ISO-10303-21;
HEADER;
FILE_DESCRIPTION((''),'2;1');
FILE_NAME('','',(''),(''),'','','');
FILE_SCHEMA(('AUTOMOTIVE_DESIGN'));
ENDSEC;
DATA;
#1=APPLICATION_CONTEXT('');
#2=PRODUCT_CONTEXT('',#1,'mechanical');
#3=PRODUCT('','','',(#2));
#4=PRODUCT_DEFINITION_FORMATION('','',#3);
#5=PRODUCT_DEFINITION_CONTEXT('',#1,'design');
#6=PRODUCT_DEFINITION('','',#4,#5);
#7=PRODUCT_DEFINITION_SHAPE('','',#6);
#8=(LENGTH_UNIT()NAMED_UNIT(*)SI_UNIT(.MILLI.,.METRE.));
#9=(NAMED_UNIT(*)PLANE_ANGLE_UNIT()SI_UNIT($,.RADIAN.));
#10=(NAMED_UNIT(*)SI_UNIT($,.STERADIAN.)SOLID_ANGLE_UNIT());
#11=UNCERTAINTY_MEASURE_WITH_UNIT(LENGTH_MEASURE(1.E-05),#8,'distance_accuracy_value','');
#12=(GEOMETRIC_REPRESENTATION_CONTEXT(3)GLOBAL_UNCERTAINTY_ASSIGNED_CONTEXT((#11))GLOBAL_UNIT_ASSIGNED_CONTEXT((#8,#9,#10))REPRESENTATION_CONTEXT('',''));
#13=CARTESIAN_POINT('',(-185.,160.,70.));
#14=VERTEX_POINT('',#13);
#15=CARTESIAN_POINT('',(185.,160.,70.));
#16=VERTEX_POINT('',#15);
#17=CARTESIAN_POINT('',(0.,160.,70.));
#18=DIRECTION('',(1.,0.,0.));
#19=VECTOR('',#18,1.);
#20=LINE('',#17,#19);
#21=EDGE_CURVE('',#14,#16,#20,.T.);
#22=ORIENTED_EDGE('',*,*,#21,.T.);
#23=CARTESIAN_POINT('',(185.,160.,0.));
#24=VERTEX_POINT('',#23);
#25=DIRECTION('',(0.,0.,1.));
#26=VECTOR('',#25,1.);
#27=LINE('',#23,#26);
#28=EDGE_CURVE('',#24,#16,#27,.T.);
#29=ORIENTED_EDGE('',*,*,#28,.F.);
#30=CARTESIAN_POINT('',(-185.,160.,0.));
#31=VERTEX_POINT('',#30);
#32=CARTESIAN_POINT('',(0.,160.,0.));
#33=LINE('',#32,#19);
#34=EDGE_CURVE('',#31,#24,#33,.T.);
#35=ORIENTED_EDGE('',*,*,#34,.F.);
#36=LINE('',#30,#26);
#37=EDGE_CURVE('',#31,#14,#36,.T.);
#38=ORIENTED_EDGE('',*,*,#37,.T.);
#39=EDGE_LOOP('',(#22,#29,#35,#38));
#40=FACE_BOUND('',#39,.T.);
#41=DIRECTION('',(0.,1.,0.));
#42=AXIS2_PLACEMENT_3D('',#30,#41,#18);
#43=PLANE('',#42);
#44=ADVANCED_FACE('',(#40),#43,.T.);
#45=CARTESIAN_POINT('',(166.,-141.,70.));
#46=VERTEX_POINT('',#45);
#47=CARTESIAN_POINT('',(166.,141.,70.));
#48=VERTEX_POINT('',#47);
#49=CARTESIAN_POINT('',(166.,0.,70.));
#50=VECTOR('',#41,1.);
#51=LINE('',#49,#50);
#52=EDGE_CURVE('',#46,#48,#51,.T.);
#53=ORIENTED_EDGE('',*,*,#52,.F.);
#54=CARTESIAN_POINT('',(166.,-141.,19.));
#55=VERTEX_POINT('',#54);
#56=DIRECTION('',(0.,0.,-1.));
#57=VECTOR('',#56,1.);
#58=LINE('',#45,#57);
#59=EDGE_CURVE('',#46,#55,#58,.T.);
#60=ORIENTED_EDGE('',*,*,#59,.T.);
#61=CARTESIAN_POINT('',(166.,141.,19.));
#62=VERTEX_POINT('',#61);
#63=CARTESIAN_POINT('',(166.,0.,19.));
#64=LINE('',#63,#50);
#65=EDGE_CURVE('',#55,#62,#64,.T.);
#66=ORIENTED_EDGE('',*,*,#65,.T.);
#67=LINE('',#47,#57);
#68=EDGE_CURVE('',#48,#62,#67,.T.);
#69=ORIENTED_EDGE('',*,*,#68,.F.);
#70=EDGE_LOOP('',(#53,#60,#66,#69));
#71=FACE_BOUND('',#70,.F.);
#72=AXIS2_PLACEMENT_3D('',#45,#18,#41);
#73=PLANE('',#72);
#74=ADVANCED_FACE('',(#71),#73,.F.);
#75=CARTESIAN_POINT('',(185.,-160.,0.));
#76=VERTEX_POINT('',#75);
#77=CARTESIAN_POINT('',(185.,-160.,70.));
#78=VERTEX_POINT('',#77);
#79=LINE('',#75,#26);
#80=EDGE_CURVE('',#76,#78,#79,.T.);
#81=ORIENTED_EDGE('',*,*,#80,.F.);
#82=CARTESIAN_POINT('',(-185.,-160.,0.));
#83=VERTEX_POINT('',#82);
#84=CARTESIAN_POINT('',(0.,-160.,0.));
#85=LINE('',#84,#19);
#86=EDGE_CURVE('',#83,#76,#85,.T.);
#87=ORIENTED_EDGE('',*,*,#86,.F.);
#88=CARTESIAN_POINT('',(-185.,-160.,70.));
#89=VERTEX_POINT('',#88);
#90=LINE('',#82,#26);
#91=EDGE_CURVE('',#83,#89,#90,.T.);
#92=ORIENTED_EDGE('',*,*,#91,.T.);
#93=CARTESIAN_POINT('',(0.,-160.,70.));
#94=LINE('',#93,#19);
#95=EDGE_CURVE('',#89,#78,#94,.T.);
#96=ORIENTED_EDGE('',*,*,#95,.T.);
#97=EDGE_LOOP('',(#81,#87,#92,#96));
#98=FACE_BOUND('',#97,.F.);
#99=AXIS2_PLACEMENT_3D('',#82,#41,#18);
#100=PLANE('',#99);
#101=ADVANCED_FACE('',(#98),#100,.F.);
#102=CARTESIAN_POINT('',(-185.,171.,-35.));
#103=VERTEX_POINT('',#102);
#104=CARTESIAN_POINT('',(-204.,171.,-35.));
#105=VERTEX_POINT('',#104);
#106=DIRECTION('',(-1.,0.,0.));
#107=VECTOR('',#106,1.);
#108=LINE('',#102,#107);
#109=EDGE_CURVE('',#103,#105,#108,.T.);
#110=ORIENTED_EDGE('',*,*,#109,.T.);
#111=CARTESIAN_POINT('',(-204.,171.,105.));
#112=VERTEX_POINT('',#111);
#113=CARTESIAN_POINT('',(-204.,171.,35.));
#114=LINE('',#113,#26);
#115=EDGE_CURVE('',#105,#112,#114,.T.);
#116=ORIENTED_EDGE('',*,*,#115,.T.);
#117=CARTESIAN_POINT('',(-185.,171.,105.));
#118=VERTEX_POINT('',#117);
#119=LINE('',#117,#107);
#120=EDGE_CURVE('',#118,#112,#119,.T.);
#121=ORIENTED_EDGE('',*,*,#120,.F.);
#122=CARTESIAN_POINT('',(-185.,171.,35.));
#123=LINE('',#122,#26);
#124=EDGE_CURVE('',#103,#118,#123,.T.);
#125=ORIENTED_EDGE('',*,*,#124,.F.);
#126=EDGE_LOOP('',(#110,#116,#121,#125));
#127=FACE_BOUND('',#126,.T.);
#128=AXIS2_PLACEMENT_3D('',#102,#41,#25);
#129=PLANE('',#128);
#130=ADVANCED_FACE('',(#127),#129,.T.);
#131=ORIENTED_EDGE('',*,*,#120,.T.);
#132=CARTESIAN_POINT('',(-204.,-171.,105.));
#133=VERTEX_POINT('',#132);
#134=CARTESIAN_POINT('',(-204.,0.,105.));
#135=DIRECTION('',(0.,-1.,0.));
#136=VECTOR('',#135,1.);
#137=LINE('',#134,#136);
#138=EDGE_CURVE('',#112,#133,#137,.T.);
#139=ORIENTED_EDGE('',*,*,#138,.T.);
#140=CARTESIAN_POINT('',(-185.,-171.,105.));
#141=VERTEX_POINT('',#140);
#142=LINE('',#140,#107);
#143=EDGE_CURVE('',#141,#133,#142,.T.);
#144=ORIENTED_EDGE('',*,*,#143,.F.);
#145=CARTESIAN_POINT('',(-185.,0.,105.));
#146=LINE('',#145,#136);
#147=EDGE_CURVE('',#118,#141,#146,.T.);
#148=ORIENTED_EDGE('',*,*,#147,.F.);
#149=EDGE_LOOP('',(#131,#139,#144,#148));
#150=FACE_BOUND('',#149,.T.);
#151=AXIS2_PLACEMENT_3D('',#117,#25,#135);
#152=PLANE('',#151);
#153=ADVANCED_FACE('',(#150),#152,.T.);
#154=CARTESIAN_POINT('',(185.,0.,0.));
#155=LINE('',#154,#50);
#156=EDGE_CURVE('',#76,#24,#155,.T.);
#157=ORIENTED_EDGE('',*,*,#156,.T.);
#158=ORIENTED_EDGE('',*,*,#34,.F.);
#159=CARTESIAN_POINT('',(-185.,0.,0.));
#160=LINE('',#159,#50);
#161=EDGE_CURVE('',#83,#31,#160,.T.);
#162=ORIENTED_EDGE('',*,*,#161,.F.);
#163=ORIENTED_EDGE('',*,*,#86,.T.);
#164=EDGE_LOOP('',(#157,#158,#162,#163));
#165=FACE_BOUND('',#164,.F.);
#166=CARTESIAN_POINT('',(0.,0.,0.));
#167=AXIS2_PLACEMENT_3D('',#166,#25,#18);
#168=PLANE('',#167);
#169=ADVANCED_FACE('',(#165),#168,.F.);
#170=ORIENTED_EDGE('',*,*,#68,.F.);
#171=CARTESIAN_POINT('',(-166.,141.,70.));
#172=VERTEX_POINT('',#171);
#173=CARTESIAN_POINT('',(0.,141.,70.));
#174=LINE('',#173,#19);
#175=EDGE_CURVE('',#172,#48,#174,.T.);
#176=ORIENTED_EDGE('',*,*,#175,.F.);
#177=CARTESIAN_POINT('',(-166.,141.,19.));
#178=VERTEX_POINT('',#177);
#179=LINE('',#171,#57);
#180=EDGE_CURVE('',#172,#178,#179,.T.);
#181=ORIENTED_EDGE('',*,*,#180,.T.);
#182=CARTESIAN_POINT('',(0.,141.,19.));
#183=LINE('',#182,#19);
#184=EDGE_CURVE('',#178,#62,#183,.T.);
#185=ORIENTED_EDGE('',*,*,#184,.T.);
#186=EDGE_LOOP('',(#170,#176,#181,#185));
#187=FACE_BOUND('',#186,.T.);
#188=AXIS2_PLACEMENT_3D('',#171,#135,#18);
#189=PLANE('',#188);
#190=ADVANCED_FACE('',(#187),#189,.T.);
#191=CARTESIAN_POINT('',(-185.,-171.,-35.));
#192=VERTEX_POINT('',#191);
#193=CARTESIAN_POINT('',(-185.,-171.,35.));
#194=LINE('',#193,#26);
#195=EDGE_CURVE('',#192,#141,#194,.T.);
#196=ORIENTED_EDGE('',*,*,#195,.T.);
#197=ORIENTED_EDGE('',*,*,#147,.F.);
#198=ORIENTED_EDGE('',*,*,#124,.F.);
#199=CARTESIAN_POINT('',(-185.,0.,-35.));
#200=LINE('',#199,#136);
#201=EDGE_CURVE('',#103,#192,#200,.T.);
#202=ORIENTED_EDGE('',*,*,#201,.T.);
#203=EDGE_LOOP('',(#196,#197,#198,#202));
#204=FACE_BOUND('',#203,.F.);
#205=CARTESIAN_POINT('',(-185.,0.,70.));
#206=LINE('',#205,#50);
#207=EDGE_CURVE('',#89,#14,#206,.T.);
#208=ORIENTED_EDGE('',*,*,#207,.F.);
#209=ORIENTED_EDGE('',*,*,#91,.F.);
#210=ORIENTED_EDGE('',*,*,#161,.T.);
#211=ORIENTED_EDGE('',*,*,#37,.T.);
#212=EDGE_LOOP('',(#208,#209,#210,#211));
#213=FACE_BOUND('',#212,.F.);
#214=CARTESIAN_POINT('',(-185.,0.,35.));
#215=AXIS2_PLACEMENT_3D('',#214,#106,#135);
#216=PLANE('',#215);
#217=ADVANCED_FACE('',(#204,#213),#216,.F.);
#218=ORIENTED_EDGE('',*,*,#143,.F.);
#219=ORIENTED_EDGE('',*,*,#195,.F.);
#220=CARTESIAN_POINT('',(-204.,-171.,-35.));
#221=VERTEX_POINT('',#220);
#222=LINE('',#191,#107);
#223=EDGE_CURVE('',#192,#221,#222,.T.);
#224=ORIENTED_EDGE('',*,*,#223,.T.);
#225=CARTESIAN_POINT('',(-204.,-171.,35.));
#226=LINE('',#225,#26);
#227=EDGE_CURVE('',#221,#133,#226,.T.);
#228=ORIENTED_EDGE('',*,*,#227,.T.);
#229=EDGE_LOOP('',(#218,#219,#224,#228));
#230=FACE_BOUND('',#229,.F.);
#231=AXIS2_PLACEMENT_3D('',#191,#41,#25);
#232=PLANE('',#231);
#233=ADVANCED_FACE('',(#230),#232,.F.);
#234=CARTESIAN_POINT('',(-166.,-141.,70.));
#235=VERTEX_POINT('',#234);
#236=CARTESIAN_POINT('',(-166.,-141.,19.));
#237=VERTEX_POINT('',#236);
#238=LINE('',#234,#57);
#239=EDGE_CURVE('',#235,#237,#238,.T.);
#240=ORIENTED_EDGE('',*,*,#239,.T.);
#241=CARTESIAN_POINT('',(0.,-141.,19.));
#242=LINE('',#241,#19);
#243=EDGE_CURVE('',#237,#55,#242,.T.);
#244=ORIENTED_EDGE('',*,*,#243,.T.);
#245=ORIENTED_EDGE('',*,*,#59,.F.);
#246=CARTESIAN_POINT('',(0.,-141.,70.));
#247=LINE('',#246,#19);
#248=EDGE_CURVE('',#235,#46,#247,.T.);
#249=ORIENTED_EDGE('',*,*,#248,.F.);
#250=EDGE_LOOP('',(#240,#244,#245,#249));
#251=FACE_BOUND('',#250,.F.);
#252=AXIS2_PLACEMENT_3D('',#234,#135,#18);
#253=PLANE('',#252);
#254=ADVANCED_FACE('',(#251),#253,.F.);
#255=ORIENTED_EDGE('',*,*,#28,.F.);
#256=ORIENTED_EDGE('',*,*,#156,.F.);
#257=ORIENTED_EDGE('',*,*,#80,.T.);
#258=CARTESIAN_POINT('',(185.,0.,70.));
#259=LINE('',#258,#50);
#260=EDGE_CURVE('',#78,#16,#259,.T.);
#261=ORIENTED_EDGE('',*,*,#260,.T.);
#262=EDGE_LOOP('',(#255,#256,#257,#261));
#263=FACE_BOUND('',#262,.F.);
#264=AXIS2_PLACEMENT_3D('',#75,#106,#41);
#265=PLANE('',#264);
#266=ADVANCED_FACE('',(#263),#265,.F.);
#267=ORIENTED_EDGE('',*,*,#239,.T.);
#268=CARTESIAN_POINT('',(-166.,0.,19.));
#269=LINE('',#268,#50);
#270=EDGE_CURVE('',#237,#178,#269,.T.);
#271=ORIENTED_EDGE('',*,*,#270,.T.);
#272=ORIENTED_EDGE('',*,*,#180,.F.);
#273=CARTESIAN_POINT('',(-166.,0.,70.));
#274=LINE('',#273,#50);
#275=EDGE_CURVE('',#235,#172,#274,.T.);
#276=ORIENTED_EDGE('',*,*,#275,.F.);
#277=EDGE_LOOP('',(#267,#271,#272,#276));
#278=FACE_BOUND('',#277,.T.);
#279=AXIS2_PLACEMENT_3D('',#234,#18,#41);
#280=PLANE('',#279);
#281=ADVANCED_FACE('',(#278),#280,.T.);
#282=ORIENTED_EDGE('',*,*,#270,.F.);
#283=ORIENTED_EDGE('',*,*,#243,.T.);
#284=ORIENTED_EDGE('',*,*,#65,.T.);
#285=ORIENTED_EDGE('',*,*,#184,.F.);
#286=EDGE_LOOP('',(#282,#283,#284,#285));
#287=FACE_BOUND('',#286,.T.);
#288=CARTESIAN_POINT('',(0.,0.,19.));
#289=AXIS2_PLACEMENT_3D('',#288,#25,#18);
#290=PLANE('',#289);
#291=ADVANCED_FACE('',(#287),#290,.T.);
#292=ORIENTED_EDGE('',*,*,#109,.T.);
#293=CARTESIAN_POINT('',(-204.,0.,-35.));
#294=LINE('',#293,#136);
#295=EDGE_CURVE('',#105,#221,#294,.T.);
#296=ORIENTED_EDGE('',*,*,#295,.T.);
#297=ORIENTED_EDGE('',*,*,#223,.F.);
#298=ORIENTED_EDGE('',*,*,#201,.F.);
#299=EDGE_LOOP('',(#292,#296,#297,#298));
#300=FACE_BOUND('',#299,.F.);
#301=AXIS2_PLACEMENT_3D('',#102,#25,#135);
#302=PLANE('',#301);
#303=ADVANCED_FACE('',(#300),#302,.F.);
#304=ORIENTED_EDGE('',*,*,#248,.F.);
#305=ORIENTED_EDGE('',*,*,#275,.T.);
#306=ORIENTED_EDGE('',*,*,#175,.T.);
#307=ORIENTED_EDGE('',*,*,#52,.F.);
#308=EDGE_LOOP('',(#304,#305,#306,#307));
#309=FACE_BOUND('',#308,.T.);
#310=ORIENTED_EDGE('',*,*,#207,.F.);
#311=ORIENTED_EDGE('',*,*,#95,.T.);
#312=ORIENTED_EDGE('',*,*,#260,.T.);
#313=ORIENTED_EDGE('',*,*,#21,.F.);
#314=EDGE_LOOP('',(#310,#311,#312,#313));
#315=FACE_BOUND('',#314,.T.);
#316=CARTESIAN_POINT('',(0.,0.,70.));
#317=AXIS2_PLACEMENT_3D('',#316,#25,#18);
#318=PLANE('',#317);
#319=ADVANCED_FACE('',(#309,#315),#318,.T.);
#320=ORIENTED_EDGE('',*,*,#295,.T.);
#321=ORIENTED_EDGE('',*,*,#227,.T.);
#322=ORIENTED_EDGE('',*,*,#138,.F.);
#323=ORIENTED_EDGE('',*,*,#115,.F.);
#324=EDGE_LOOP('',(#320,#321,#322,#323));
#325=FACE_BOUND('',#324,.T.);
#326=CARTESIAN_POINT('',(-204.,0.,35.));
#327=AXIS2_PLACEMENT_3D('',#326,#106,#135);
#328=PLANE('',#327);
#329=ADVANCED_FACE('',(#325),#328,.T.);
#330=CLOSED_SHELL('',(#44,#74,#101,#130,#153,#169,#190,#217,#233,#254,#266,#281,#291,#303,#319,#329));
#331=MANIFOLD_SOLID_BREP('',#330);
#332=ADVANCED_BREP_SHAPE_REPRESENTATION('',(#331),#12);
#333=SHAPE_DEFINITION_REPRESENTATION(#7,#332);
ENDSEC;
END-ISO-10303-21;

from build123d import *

# Parameters (mm, degrees)
F0_W     = 370
F0_H     = 320
F1_DEPTH = 70
F2_W     = 332
F2_H     = 282
F3_DEPTH = 51
F4_W     = 342
F4_H     = 140
F5_DEPTH = 19


with BuildPart() as f1:
    # F0 (on Top) → F1 (new body)
    with BuildSketch(Plane.XY):
        Rectangle(F0_W, F0_H)
    extrude(amount=F1_DEPTH)

    # F2 (on face) → F3 (cut)
    with BuildSketch(Plane.XY.offset(70)):
        Rectangle(F2_W, F2_H)
    extrude(amount=-F3_DEPTH, mode=Mode.SUBTRACT)

    # F4 (on face) → F5 (join)
    with BuildSketch(Plane(origin=(-185, 0, 0), x_dir=(0, -1, 0), z_dir=(-1, 0, 0))):
        with Locations((0, 35)):
            Rectangle(F4_W, F4_H)
    extrude(amount=F5_DEPTH)


solid = f1.part
